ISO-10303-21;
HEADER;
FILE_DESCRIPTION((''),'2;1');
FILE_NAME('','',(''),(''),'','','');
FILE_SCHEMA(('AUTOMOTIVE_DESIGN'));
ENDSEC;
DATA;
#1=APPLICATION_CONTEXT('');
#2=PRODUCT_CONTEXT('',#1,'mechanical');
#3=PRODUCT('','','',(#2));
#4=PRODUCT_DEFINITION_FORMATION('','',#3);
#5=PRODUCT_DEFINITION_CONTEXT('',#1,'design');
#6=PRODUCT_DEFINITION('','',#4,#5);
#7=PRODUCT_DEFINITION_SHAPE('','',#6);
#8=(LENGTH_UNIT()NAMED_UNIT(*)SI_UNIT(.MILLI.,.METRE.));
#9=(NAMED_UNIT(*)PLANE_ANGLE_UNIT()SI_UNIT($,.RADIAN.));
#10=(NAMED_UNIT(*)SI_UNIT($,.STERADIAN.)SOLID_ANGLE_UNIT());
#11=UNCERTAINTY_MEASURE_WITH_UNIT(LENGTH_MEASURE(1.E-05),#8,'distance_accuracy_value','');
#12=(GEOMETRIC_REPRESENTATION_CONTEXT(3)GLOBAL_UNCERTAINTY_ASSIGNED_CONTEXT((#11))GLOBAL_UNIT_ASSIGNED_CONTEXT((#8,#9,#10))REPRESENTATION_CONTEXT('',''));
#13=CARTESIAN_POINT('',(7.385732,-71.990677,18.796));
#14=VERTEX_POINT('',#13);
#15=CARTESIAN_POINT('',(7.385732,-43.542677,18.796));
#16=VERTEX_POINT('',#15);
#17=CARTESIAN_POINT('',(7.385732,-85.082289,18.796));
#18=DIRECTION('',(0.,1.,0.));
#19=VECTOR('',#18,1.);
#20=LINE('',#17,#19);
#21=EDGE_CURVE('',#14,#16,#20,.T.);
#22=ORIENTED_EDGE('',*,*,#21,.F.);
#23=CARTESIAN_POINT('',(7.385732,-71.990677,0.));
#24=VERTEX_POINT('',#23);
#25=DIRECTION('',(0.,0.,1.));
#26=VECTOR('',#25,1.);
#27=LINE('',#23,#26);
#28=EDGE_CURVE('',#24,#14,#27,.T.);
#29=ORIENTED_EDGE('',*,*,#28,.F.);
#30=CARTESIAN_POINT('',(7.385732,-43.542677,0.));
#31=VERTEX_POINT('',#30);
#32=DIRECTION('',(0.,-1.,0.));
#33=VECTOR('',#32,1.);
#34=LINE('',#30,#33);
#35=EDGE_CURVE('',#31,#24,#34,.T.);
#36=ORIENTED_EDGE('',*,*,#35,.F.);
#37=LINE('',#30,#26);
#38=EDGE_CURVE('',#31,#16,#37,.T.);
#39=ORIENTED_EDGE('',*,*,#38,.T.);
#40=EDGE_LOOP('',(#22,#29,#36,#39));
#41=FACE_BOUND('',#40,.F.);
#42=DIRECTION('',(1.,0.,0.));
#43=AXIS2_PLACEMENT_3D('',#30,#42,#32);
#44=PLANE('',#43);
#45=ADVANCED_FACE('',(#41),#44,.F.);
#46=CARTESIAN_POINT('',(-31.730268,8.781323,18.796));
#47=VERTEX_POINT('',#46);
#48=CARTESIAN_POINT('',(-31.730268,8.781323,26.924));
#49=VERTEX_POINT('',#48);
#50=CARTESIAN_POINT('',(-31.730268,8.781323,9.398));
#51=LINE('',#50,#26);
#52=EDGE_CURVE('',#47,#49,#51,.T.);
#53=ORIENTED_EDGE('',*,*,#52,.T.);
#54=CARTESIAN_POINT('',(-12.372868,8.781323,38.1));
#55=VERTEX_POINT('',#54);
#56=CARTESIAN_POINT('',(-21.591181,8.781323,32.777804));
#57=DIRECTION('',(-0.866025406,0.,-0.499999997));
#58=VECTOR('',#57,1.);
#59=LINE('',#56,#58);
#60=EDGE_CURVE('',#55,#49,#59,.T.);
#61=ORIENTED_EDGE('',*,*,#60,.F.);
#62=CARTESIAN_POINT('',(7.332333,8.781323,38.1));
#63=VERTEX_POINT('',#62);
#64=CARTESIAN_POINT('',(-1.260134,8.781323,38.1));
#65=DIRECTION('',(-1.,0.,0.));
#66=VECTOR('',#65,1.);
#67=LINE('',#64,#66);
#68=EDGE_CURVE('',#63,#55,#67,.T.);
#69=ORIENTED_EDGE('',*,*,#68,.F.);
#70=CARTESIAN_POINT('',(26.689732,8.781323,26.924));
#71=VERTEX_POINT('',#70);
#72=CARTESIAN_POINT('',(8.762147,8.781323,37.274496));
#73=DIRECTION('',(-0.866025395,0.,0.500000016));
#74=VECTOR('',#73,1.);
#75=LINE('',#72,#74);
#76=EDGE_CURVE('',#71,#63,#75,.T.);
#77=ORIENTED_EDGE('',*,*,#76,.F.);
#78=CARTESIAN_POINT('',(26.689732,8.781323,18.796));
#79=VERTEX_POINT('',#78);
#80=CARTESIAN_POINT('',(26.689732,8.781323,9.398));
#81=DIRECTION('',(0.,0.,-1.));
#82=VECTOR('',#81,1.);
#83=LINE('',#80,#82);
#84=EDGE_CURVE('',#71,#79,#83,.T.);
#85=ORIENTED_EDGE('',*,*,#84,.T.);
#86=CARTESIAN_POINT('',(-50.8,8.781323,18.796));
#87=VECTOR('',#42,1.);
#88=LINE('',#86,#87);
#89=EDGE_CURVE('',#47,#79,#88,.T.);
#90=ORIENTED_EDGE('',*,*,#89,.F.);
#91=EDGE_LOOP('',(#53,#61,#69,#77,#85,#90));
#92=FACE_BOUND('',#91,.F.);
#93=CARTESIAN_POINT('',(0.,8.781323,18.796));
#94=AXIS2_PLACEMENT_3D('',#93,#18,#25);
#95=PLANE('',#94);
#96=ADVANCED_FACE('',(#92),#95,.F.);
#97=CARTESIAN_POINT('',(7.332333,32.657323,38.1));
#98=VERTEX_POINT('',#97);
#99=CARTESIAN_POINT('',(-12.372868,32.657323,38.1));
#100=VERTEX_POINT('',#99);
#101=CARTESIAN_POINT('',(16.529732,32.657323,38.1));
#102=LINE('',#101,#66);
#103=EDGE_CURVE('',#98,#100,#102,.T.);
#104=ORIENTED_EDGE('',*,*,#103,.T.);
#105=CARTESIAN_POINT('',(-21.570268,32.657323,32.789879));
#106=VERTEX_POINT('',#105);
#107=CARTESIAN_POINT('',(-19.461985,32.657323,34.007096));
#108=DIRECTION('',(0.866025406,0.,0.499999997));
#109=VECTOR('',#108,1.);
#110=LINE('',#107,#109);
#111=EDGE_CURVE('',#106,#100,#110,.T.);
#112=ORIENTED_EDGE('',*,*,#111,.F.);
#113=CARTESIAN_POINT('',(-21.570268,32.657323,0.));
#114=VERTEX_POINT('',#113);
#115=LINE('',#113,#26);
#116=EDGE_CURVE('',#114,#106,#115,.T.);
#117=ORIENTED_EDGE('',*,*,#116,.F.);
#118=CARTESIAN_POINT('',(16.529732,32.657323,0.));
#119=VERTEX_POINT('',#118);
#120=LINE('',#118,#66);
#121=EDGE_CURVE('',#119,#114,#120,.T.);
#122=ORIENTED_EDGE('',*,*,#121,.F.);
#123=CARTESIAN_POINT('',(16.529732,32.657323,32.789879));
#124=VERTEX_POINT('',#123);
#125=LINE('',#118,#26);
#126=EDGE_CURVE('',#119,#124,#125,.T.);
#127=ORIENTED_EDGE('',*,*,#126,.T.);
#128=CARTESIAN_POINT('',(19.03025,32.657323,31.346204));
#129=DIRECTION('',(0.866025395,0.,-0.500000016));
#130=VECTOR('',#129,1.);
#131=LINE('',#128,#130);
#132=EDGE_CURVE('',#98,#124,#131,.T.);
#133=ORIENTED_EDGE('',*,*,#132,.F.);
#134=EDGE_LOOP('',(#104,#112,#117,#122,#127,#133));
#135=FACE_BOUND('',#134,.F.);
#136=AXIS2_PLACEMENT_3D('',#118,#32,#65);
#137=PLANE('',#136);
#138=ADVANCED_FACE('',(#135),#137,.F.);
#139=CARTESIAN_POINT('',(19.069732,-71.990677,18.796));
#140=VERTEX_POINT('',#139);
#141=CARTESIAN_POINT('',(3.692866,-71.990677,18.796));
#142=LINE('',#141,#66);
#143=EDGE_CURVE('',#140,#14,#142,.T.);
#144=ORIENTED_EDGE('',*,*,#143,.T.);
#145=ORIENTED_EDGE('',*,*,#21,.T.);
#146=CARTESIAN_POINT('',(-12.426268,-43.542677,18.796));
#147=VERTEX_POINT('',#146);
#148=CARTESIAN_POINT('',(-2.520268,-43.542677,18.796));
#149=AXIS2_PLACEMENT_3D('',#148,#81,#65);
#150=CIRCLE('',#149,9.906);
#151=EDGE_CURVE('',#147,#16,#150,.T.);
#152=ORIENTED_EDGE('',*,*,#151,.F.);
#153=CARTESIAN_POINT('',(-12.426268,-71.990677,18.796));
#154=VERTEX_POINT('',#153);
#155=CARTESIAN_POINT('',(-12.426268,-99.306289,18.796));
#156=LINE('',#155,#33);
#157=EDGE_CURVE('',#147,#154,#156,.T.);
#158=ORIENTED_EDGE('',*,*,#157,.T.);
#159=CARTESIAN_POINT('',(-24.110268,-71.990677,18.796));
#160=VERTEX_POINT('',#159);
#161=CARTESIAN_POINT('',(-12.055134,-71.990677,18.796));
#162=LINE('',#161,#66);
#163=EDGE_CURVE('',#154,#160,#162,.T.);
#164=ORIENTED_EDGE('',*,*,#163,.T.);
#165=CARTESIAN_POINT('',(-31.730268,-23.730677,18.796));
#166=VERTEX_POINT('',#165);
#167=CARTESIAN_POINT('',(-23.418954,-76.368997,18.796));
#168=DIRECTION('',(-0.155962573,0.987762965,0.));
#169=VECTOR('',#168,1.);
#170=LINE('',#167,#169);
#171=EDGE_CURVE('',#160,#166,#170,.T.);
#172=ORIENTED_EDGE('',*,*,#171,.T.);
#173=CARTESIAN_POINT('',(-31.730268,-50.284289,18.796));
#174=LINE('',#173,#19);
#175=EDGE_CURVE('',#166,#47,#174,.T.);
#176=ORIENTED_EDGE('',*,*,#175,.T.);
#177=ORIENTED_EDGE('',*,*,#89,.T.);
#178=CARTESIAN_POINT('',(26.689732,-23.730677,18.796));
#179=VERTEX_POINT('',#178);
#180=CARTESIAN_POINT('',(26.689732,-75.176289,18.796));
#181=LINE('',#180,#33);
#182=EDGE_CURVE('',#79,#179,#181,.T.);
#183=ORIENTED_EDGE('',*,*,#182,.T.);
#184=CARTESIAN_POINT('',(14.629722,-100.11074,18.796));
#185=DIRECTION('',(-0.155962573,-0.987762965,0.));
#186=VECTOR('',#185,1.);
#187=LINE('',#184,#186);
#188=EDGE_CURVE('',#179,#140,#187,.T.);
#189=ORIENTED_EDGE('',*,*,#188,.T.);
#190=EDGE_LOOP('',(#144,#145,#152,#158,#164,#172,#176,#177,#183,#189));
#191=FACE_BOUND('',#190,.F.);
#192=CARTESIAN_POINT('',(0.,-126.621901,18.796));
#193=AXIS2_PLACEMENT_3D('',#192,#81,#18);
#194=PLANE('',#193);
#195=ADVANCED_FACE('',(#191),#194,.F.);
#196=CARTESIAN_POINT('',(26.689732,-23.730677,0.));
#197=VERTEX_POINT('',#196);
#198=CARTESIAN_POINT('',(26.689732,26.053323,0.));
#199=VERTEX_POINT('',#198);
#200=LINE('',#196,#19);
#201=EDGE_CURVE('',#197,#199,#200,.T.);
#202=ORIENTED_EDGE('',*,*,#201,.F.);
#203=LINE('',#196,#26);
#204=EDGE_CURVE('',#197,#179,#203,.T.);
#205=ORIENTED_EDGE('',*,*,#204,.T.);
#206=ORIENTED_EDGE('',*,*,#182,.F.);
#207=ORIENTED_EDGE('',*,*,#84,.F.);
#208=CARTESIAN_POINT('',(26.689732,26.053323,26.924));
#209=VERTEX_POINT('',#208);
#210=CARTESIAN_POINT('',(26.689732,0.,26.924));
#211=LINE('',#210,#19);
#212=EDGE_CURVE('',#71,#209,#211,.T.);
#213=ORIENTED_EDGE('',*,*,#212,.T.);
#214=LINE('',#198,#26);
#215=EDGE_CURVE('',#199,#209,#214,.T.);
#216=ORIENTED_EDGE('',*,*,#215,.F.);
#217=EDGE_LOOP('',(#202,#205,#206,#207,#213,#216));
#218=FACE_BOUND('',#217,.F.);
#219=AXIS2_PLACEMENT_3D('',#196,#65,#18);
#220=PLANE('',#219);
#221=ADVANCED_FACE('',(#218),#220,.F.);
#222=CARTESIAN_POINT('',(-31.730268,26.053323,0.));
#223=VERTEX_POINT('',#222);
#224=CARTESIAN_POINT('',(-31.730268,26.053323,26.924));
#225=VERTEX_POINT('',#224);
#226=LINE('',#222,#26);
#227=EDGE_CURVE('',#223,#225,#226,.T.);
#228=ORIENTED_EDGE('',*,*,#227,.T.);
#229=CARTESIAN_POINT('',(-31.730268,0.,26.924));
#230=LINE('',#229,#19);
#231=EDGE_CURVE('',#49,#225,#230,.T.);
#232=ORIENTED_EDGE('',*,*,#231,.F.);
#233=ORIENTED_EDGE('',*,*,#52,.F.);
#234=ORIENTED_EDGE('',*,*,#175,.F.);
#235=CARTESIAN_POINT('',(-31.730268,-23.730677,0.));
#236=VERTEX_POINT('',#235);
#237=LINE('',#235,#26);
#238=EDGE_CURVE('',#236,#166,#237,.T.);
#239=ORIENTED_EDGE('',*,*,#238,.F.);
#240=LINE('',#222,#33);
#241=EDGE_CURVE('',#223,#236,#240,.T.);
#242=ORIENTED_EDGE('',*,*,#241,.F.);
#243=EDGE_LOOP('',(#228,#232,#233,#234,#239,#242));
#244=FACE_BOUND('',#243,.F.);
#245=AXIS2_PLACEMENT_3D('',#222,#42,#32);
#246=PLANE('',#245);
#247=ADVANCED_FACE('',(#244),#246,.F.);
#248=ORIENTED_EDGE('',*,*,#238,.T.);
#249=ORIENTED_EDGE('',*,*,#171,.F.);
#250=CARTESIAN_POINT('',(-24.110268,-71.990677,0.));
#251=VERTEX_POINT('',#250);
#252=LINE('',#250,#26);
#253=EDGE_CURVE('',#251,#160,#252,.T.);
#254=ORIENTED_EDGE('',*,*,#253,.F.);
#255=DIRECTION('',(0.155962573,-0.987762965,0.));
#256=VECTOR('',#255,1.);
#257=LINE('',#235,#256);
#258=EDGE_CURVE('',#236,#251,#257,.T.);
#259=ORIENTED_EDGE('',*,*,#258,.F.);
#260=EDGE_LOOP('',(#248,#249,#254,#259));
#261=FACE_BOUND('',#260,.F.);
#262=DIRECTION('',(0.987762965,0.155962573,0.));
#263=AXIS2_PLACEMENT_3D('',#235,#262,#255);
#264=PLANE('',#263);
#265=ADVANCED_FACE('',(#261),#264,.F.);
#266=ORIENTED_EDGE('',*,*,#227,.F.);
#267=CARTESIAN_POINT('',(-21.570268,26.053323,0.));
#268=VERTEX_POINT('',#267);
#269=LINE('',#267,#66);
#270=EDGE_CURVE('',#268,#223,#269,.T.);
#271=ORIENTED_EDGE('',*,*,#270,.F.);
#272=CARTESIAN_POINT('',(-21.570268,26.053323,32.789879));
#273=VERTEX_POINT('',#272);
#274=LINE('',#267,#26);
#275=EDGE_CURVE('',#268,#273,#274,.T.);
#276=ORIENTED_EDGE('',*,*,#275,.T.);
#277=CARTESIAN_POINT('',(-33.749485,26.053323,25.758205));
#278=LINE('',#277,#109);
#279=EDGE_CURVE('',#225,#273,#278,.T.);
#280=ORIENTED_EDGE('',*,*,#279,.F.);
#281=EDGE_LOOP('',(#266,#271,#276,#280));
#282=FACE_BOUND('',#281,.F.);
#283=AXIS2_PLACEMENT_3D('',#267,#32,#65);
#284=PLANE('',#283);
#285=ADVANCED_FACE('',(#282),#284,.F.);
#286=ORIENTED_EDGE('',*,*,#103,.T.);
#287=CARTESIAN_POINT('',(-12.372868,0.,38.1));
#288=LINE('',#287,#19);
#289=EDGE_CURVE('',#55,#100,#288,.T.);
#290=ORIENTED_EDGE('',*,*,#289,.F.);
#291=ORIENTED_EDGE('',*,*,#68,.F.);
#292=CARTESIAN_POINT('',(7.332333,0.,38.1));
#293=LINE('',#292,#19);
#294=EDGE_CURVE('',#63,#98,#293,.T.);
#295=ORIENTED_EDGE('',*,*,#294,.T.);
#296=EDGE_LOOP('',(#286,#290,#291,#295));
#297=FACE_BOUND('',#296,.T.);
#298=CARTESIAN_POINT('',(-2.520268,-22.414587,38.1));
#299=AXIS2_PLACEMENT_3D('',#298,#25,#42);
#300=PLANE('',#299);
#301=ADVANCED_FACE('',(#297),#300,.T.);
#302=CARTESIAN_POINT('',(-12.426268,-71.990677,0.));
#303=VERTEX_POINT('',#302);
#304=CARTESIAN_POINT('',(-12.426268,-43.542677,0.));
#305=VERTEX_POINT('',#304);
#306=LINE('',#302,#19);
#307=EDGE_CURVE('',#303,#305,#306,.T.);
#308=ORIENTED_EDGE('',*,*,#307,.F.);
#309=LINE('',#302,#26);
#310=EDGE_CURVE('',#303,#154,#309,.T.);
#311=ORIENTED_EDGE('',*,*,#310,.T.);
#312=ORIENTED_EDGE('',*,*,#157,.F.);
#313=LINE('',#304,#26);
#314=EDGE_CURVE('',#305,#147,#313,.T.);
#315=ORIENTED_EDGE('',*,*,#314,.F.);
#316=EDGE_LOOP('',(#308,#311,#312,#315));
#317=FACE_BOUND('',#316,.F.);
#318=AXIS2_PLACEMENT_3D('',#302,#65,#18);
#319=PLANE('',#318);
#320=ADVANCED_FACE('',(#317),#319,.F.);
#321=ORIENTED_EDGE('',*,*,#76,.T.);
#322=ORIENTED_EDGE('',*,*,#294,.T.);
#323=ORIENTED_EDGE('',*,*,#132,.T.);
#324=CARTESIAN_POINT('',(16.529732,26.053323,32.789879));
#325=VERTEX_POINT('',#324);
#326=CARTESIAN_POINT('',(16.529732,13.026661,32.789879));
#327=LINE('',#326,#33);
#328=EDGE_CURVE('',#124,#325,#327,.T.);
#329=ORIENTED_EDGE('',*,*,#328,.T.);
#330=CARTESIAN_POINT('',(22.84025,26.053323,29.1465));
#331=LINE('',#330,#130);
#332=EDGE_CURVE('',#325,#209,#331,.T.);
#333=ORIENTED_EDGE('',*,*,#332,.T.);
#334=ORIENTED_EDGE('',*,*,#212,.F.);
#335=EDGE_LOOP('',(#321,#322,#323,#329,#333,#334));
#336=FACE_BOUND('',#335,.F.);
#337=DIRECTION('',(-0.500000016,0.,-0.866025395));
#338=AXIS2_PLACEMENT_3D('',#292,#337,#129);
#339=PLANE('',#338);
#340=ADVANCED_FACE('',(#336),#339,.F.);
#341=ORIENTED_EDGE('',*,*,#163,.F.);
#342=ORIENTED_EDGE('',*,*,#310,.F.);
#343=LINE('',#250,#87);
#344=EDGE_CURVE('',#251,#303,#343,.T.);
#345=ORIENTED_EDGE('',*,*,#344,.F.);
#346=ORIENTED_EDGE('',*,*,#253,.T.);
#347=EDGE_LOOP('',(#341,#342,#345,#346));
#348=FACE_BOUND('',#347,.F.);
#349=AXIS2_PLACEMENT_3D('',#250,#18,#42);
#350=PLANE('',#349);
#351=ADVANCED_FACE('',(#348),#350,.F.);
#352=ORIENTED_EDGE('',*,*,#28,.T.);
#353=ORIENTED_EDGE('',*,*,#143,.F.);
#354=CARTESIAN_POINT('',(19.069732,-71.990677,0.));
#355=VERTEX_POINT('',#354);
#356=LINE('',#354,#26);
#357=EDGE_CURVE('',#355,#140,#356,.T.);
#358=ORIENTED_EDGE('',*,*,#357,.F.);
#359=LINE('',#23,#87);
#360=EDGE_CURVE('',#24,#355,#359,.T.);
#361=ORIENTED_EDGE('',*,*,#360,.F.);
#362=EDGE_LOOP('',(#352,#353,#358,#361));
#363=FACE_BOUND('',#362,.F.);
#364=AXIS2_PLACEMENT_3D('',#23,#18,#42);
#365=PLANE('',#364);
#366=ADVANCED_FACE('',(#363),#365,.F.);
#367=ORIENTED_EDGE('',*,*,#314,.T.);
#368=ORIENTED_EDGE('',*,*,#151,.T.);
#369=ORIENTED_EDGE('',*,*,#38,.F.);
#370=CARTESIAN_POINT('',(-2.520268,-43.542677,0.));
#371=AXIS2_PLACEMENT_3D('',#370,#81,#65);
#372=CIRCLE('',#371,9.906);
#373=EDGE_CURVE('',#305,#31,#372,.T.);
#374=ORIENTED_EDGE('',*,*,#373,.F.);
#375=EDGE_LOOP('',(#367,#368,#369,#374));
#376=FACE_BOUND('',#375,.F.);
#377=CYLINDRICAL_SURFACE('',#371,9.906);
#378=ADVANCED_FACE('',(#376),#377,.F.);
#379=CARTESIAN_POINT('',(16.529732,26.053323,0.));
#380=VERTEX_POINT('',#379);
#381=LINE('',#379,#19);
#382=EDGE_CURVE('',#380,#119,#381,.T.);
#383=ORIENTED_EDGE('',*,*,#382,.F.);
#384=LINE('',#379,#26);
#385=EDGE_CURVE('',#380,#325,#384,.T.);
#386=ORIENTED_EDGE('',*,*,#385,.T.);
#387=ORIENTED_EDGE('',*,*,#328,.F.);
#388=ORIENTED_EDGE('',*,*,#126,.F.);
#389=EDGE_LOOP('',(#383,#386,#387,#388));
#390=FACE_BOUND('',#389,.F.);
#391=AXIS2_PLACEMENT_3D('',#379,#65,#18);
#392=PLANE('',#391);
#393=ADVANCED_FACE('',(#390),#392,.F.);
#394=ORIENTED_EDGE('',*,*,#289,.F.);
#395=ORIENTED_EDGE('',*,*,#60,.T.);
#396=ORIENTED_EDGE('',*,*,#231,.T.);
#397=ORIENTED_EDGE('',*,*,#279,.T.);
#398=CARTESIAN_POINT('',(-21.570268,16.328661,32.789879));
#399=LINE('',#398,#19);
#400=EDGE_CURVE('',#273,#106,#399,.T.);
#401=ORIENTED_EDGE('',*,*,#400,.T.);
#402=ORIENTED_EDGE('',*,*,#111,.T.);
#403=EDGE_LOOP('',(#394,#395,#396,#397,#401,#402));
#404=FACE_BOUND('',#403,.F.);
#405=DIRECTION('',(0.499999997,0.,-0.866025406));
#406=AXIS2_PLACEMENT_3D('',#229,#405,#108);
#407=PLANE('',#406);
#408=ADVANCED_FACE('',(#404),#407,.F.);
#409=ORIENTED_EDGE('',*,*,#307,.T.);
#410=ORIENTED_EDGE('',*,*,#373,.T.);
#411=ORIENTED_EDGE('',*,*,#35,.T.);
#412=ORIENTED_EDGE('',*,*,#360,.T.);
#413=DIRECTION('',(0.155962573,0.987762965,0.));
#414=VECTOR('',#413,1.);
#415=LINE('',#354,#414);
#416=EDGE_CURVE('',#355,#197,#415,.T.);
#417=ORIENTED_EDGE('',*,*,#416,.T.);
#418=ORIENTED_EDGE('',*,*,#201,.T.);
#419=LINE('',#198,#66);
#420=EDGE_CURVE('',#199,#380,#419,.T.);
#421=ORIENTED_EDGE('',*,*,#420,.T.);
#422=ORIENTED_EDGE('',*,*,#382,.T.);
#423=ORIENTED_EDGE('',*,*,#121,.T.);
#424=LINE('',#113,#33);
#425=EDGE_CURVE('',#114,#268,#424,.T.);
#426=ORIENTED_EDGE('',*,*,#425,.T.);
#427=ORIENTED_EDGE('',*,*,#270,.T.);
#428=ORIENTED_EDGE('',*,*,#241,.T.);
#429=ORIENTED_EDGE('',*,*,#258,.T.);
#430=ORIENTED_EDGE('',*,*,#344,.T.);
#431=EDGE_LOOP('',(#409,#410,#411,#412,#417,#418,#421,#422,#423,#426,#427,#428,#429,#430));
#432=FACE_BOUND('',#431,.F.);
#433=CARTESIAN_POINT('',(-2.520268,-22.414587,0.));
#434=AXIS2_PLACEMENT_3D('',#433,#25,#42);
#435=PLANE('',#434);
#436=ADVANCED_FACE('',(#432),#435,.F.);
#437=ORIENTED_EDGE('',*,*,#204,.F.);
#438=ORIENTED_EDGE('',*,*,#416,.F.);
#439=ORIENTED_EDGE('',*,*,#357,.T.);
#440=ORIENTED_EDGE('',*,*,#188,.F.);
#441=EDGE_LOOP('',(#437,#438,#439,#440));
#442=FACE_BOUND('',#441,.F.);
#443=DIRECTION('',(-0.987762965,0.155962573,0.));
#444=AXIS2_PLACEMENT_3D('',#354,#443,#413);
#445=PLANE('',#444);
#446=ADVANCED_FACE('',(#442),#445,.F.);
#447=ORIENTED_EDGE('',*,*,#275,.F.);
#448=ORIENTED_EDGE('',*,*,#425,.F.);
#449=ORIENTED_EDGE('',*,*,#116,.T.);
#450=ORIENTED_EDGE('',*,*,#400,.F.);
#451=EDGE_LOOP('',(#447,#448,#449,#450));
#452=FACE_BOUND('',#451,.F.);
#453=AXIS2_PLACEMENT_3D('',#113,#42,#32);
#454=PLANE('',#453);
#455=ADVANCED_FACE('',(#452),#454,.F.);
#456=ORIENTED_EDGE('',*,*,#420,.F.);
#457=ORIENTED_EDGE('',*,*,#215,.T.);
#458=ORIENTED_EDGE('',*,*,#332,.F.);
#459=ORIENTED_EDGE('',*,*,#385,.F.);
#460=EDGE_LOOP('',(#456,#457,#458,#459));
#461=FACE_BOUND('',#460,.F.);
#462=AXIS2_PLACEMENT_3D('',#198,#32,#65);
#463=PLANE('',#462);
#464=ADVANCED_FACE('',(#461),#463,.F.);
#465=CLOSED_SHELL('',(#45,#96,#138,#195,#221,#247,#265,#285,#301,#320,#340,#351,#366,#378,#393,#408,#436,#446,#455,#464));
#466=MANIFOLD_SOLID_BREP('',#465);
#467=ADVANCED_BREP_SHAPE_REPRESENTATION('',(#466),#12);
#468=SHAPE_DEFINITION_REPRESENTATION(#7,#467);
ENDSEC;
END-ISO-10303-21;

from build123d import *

# Parameters (mm, degrees)
F1_DEPTH = 38.1
F2_W     = 135.403224
F2_H     = 41.598107
F3_DEPTH = 50.8
F5_DEPTH = 101.6


with BuildPart() as f1:
    # F0 (on Top) → F1 (new body)
    with BuildSketch(Plane.XY):
        with BuildLine():
            Line((16.529732, 26.053323), (16.529732, 32.657323))
            Line((16.529732, 32.657323), (-21.570268, 32.657323))
            Line((-21.570268, 32.657323), (-21.570268, 26.053323))
            Line((-21.570268, 26.053323), (-31.730268, 26.053323))
            Line((-31.730268, 26.053323), (-31.730268, -23.730677))
            Line((-31.730268, -23.730677), (-24.110268, -71.990677))
            Line((-24.110268, -71.990677), (-12.426268, -71.990677))
            Line((-12.426268, -71.990677), (-12.426268, -43.542677))
            ThreePointArc((-12.426268, -43.542677), (-2.520268, -33.636677), (7.385732, -43.542677))
            Line((7.385732, -43.542677), (7.385732, -71.990677))
            Line((7.385732, -71.990677), (19.069732, -71.990677))
            Line((19.069732, -71.990677), (26.689732, -23.730677))
            Line((26.689732, -23.730677), (26.689732, 26.053323))
            Line((26.689732, 26.053323), (16.529732, 26.053323))
        make_face()
    extrude(amount=F1_DEPTH)

    # F2 (on Right) → F3 (cut, symmetric)
    with BuildSketch(Plane.YZ):
        with Locations((-58.920289, 39.595053)):
            Rectangle(F2_W, F2_H)
    extrude(amount=F3_DEPTH, both=True, mode=Mode.SUBTRACT)

    # F4 (on Front) → F5 (cut)
    with BuildSketch(Plane.XZ):
        Polygon((26.689732, 26.924), (26.689732, 38.1), (7.332333, 38.1), align=None)
        Polygon((-31.730268, 26.924), (-12.372868, 38.1), (-31.730268, 38.1), align=None)
    extrude(amount=-F5_DEPTH, mode=Mode.SUBTRACT)


solid = f1.part
